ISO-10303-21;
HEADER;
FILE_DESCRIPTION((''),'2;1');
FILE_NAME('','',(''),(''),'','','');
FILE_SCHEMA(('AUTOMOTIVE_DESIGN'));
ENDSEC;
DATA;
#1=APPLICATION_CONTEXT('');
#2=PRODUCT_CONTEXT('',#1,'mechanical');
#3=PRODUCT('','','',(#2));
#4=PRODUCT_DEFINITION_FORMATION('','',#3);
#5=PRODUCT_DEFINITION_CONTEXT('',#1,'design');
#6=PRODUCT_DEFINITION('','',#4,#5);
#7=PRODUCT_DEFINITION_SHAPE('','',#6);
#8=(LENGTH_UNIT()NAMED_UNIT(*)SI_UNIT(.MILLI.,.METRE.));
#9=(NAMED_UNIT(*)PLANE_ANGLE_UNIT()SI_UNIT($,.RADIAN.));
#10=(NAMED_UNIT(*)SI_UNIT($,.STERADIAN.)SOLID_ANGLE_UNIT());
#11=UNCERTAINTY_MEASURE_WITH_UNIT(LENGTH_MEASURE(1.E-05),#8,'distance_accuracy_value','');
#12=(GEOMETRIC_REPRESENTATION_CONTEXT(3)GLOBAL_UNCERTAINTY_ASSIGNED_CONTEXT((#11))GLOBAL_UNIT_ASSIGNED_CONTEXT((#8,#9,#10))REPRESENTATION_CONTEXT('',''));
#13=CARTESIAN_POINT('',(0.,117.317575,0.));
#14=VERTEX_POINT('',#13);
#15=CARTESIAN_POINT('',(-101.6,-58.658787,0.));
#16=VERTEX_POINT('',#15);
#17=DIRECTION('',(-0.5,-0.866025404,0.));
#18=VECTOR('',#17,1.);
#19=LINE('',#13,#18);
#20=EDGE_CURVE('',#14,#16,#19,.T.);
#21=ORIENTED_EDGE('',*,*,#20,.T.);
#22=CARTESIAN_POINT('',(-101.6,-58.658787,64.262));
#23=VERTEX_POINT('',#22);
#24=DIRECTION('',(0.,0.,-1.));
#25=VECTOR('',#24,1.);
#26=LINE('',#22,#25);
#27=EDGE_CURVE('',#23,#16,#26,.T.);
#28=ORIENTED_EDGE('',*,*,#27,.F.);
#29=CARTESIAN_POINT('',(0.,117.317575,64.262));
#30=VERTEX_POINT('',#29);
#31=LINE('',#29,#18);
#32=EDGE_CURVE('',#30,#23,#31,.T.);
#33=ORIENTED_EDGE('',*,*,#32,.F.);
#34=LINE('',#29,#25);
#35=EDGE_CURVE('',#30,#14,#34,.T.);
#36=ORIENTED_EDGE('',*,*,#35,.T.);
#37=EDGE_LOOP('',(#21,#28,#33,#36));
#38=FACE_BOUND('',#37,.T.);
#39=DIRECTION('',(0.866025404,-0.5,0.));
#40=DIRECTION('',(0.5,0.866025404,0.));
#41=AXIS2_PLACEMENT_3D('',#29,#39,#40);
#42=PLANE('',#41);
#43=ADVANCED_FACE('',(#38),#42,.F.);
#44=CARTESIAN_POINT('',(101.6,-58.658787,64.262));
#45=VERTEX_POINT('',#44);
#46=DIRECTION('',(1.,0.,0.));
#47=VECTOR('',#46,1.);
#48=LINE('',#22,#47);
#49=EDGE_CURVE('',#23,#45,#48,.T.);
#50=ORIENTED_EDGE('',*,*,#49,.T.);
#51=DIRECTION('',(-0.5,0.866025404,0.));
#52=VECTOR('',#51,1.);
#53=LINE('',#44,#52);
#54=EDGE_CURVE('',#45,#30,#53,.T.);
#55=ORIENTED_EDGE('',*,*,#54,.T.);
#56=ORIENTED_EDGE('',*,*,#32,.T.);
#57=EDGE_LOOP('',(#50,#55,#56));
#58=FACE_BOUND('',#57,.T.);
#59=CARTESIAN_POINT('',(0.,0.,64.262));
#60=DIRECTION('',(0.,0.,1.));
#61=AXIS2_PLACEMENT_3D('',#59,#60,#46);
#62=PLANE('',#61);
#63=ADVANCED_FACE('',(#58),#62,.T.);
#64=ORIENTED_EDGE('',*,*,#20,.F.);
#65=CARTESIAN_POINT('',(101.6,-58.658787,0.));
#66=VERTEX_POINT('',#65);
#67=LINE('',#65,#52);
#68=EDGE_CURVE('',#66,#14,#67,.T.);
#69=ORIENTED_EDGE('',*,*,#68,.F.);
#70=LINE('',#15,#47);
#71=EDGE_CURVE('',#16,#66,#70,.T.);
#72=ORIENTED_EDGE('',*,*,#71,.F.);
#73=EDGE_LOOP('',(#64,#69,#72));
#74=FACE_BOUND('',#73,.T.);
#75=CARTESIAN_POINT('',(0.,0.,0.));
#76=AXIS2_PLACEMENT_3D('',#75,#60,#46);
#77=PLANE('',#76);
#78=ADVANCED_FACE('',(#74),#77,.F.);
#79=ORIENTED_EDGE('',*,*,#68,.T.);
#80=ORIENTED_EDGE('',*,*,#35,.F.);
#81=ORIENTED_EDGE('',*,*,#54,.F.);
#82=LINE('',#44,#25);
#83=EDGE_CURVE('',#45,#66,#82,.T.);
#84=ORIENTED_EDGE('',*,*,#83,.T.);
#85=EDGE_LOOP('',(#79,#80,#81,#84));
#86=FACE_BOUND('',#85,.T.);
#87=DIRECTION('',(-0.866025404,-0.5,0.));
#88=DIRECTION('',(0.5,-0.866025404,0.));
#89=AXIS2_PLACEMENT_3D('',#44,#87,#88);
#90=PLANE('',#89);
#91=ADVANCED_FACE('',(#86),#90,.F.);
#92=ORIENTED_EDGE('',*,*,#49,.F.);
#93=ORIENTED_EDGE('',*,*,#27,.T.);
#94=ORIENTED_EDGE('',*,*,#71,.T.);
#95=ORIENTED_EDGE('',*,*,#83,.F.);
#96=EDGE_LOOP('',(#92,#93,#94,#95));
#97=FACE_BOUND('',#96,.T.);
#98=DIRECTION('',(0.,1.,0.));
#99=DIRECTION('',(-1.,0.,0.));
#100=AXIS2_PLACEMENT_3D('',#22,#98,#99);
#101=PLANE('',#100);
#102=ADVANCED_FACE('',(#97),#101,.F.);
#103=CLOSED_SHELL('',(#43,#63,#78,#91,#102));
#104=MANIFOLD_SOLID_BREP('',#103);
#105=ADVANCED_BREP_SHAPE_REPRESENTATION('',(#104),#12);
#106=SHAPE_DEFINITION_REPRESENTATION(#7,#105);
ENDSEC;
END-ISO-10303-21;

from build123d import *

# Parameters (mm, degrees)
BOSS_EXTRUDE1_DEPTH = 64.262


with BuildPart() as part:
    # Sketch1 → Boss-Extrude1 (new body)
    with BuildSketch(Plane.XY):
        Polygon((0, 117.317574699), (-101.6, -58.65878735), (101.6, -58.65878735), align=None)
    extrude(amount=BOSS_EXTRUDE1_DEPTH)


solid = part.part
